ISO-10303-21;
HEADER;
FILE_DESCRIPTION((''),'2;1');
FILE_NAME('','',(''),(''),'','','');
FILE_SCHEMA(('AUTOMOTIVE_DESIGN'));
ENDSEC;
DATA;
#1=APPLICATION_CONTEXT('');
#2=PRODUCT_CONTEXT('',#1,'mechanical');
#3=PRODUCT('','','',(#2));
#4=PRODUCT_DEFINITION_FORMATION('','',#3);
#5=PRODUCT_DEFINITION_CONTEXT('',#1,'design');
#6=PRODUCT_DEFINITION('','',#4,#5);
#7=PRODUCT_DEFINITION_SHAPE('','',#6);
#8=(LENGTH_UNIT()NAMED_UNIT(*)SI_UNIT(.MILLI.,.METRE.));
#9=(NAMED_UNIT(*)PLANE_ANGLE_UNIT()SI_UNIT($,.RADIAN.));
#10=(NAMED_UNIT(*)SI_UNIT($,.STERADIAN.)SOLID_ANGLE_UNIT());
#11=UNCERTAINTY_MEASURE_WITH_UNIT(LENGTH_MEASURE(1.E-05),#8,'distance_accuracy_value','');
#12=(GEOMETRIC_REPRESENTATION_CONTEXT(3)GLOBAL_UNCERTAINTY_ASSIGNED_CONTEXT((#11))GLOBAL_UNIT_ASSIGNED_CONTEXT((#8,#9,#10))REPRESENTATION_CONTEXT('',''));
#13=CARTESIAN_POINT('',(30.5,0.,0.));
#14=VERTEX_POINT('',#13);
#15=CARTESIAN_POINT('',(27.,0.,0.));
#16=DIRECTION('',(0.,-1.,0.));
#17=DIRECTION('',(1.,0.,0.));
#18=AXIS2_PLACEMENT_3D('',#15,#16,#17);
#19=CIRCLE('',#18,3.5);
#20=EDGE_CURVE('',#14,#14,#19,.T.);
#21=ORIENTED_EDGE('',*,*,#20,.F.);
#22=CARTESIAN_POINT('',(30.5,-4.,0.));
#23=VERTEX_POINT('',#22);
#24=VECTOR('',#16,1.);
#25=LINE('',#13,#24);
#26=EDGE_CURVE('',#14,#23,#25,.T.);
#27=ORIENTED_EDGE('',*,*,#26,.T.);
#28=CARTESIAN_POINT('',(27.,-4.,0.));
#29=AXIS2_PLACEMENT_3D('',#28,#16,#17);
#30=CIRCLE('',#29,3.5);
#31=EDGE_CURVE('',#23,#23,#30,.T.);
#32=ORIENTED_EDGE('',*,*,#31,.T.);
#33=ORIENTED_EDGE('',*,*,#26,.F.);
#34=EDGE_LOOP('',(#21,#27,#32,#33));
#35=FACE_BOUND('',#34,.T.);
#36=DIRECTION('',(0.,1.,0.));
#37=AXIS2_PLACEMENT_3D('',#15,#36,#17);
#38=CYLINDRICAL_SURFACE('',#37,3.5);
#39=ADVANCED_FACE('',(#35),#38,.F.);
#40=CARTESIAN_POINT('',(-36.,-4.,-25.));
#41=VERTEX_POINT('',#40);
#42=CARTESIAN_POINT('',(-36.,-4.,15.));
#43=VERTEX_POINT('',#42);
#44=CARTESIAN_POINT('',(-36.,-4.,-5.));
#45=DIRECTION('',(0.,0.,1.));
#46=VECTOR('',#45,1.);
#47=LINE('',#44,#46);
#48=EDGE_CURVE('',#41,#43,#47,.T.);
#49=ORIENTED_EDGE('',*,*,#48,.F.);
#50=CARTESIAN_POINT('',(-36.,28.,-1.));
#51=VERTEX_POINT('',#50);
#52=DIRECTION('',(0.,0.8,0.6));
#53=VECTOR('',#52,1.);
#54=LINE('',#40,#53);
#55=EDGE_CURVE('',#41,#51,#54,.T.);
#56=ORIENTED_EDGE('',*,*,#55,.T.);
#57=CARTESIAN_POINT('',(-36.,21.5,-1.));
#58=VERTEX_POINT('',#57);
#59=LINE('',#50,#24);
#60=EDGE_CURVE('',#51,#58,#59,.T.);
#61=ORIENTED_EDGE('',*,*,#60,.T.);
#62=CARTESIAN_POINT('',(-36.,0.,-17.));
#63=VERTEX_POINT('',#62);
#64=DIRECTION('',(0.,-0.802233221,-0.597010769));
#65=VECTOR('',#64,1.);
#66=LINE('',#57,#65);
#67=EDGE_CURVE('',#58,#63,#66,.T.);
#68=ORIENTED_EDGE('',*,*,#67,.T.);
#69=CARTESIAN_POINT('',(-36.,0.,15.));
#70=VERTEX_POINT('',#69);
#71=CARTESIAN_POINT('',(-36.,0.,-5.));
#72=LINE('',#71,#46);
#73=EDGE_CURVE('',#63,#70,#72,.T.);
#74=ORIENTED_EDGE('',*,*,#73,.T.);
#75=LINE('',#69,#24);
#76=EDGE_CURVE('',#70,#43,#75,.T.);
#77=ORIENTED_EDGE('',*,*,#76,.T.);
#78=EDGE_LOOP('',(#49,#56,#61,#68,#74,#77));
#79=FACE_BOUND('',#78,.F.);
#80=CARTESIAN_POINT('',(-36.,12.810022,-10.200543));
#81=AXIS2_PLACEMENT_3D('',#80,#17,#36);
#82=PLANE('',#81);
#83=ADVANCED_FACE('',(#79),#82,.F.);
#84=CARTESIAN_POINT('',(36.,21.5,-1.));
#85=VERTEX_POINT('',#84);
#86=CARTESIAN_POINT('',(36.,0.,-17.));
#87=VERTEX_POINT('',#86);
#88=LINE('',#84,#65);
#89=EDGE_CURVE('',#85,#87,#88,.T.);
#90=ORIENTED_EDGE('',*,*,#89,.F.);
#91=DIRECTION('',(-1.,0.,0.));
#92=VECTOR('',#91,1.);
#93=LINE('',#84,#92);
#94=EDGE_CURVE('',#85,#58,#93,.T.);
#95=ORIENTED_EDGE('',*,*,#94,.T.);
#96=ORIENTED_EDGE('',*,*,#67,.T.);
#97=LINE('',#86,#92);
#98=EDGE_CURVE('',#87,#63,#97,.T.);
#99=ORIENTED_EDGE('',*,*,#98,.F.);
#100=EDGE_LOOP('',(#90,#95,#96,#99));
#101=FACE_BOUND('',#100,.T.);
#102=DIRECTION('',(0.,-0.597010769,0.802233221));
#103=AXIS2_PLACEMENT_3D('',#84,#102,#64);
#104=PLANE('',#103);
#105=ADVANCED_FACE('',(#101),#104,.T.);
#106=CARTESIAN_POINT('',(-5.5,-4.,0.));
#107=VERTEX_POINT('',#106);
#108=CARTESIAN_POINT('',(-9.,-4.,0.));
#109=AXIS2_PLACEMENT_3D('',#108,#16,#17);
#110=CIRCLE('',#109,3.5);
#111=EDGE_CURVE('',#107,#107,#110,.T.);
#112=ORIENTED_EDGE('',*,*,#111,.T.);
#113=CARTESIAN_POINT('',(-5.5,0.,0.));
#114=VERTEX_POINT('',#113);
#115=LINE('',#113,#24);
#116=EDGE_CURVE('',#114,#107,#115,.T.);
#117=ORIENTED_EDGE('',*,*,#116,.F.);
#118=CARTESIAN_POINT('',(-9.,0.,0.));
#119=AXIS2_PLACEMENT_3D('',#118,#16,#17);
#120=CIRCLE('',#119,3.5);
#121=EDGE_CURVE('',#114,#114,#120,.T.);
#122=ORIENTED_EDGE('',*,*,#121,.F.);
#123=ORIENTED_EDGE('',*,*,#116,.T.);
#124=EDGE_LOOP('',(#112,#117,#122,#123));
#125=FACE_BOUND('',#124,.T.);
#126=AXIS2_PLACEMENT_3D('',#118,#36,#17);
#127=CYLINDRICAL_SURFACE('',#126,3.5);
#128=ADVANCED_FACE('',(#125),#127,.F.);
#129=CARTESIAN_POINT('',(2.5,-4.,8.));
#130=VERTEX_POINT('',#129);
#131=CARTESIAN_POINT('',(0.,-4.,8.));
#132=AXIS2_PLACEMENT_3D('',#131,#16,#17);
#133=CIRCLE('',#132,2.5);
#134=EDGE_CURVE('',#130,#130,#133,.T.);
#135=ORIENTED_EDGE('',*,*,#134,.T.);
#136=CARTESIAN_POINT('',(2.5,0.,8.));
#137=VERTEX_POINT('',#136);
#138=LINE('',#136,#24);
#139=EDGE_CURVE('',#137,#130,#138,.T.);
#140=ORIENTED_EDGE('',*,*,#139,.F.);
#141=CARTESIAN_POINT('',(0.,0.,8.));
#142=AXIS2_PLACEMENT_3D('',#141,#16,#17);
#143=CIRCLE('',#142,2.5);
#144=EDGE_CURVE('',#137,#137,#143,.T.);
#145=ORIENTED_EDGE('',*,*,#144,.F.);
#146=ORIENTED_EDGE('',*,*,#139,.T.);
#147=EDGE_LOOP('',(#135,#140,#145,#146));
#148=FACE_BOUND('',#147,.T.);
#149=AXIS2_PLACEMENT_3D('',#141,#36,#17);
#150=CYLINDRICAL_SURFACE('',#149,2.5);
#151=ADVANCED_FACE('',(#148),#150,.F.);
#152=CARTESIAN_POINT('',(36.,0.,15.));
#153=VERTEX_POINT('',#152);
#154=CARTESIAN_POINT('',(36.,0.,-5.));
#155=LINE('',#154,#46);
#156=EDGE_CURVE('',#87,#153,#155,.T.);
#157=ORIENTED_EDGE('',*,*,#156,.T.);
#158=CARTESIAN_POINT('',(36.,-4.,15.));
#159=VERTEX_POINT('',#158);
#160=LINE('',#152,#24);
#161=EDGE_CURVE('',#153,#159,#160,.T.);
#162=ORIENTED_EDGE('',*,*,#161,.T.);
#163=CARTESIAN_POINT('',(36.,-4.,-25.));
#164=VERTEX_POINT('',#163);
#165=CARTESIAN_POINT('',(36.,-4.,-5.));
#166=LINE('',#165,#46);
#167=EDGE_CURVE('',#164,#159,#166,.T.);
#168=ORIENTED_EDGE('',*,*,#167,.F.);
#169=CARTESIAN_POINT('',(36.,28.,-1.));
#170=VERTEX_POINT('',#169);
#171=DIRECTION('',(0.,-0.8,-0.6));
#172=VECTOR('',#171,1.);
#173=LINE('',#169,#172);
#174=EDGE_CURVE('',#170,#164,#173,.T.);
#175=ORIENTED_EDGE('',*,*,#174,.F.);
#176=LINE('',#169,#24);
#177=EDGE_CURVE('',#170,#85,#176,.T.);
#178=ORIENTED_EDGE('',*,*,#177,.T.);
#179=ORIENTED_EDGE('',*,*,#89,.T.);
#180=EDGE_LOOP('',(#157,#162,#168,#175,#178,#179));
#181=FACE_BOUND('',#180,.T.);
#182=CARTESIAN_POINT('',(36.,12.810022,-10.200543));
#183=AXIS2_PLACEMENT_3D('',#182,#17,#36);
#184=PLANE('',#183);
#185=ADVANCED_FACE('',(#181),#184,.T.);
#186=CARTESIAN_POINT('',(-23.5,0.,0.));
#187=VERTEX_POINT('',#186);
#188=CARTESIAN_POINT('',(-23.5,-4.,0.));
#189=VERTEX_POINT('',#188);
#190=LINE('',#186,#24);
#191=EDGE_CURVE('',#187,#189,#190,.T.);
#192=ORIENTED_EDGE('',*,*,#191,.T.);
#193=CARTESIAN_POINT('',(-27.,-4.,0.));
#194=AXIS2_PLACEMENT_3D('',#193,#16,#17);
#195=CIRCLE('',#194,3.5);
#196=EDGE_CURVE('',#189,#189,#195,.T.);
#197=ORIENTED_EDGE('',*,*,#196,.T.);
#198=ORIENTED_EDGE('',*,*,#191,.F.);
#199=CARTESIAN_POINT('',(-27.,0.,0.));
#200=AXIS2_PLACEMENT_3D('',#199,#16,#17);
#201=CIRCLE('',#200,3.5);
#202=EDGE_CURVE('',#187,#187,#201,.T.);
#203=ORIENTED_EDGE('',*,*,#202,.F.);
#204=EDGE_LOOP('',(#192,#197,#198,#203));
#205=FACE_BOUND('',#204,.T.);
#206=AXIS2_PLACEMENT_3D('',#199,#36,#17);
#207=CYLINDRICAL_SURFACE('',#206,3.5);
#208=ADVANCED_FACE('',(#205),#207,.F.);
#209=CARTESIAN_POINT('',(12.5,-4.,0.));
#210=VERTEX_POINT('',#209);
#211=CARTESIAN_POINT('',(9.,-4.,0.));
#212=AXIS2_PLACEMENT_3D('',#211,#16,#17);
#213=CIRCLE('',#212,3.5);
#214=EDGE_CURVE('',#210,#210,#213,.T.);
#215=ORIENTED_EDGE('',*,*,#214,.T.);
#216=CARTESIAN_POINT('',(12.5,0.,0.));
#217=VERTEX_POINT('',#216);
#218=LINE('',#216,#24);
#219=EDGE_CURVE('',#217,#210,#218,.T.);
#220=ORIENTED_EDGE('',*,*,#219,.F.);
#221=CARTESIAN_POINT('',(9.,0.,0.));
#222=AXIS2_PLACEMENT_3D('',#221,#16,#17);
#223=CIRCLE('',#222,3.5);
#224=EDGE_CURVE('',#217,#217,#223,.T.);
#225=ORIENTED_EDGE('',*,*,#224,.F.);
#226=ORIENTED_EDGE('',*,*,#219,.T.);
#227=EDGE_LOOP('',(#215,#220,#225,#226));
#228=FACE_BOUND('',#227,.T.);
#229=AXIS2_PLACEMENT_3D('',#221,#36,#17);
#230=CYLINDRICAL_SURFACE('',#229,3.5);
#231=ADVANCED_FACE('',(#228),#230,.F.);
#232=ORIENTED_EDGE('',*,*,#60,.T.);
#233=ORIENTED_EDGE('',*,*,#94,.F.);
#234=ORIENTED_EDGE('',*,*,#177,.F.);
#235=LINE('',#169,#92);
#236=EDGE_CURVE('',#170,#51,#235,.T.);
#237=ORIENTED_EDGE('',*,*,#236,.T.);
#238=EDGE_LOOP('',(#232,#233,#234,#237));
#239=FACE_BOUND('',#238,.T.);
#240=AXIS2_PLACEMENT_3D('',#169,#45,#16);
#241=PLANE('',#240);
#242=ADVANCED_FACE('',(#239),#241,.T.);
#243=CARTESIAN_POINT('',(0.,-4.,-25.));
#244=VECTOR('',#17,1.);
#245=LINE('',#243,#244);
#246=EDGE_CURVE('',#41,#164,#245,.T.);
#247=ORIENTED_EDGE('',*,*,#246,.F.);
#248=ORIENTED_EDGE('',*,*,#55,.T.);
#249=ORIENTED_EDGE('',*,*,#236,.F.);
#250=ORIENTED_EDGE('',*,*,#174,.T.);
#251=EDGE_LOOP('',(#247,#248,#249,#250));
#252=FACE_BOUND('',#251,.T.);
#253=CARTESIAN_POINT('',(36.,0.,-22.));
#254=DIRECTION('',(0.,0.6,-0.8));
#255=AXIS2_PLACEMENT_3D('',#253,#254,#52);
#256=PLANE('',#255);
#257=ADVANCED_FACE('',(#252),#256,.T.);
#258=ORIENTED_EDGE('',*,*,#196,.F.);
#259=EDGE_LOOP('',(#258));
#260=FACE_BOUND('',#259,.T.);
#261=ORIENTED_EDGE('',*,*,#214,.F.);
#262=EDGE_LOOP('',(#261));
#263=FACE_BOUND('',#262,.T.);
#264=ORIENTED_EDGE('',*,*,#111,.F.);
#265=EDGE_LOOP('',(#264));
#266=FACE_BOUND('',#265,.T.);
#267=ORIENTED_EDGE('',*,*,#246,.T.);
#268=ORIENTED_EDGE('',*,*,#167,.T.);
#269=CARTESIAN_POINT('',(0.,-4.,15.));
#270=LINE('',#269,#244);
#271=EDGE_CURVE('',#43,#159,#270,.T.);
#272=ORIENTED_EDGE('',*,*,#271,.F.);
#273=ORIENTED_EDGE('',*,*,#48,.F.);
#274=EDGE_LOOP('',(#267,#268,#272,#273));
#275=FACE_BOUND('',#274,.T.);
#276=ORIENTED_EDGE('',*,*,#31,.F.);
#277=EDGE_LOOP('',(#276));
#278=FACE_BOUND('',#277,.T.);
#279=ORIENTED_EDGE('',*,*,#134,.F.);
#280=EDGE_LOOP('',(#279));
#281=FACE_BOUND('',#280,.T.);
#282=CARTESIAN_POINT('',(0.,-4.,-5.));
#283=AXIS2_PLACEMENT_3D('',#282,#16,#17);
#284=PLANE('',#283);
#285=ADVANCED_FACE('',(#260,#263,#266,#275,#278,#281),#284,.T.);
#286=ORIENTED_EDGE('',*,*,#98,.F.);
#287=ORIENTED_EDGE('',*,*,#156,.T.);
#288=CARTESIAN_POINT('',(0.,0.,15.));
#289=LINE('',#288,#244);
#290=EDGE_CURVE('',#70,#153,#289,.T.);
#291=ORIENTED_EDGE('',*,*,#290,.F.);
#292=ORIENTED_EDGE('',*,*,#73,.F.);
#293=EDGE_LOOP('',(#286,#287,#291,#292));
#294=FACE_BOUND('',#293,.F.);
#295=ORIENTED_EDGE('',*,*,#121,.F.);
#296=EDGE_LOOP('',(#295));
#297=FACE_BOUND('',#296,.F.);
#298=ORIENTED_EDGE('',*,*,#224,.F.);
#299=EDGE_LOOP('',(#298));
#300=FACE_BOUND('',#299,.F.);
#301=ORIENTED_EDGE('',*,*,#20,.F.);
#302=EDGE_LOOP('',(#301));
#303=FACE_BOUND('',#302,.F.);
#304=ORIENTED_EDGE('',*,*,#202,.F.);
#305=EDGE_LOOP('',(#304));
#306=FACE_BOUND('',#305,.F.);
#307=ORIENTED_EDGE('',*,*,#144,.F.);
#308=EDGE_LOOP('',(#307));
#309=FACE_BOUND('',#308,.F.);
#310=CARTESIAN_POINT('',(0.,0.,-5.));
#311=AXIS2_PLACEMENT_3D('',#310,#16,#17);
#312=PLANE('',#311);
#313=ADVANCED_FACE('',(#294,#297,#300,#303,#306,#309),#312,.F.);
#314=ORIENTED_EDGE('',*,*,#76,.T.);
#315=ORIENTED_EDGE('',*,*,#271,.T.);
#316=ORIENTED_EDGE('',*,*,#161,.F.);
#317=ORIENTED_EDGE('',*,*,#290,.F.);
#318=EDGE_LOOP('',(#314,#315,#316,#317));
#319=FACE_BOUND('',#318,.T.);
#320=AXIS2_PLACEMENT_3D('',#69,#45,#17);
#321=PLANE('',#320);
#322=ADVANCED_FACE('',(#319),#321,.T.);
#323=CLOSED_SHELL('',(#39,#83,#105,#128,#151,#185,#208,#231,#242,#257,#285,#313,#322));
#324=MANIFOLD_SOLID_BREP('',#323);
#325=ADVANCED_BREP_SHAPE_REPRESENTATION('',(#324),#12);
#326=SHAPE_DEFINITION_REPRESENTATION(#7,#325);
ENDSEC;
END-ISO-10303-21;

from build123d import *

# Parameters (mm, degrees)
F0_W     = 72
F0_H     = 40
F0_R     = 3.5
F0_R_2   = 2.5
F1_DEPTH = 4
F3_DEPTH = 72
F5_DEPTH = 72


with BuildPart() as f1:
    # F0 (on Front) → F1 (new body)
    with BuildSketch(Plane.XZ):
        with Locations((0, -5)):
            Rectangle(F0_W, F0_H)
        with Locations((-27, 0)):
            Circle(F0_R, mode=Mode.SUBTRACT)
        with Locations((-9, 0)):
            Circle(F0_R, mode=Mode.SUBTRACT)
        with Locations((9, 0)):
            Circle(F0_R, mode=Mode.SUBTRACT)
        with Locations((27, 0)):
            Circle(F0_R, mode=Mode.SUBTRACT)
        with Locations((0, 8)):
            Circle(F0_R_2, mode=Mode.SUBTRACT)
    extrude(amount=F1_DEPTH)

    # F2 (on face) → F3 (cut)
    with BuildSketch(Plane.YZ.offset(36)):
        Polygon((0, -22), (-4, -25), (0, -25), align=None)
    extrude(amount=-F3_DEPTH, mode=Mode.SUBTRACT)

    # F4 (on face) → F5 (join)
    with BuildSketch(Plane.YZ.offset(36)):
        Polygon((0, -17), (0, -22), (28, -1), (21.5, -1), align=None)
    extrude(amount=-F5_DEPTH)


solid = f1.part
